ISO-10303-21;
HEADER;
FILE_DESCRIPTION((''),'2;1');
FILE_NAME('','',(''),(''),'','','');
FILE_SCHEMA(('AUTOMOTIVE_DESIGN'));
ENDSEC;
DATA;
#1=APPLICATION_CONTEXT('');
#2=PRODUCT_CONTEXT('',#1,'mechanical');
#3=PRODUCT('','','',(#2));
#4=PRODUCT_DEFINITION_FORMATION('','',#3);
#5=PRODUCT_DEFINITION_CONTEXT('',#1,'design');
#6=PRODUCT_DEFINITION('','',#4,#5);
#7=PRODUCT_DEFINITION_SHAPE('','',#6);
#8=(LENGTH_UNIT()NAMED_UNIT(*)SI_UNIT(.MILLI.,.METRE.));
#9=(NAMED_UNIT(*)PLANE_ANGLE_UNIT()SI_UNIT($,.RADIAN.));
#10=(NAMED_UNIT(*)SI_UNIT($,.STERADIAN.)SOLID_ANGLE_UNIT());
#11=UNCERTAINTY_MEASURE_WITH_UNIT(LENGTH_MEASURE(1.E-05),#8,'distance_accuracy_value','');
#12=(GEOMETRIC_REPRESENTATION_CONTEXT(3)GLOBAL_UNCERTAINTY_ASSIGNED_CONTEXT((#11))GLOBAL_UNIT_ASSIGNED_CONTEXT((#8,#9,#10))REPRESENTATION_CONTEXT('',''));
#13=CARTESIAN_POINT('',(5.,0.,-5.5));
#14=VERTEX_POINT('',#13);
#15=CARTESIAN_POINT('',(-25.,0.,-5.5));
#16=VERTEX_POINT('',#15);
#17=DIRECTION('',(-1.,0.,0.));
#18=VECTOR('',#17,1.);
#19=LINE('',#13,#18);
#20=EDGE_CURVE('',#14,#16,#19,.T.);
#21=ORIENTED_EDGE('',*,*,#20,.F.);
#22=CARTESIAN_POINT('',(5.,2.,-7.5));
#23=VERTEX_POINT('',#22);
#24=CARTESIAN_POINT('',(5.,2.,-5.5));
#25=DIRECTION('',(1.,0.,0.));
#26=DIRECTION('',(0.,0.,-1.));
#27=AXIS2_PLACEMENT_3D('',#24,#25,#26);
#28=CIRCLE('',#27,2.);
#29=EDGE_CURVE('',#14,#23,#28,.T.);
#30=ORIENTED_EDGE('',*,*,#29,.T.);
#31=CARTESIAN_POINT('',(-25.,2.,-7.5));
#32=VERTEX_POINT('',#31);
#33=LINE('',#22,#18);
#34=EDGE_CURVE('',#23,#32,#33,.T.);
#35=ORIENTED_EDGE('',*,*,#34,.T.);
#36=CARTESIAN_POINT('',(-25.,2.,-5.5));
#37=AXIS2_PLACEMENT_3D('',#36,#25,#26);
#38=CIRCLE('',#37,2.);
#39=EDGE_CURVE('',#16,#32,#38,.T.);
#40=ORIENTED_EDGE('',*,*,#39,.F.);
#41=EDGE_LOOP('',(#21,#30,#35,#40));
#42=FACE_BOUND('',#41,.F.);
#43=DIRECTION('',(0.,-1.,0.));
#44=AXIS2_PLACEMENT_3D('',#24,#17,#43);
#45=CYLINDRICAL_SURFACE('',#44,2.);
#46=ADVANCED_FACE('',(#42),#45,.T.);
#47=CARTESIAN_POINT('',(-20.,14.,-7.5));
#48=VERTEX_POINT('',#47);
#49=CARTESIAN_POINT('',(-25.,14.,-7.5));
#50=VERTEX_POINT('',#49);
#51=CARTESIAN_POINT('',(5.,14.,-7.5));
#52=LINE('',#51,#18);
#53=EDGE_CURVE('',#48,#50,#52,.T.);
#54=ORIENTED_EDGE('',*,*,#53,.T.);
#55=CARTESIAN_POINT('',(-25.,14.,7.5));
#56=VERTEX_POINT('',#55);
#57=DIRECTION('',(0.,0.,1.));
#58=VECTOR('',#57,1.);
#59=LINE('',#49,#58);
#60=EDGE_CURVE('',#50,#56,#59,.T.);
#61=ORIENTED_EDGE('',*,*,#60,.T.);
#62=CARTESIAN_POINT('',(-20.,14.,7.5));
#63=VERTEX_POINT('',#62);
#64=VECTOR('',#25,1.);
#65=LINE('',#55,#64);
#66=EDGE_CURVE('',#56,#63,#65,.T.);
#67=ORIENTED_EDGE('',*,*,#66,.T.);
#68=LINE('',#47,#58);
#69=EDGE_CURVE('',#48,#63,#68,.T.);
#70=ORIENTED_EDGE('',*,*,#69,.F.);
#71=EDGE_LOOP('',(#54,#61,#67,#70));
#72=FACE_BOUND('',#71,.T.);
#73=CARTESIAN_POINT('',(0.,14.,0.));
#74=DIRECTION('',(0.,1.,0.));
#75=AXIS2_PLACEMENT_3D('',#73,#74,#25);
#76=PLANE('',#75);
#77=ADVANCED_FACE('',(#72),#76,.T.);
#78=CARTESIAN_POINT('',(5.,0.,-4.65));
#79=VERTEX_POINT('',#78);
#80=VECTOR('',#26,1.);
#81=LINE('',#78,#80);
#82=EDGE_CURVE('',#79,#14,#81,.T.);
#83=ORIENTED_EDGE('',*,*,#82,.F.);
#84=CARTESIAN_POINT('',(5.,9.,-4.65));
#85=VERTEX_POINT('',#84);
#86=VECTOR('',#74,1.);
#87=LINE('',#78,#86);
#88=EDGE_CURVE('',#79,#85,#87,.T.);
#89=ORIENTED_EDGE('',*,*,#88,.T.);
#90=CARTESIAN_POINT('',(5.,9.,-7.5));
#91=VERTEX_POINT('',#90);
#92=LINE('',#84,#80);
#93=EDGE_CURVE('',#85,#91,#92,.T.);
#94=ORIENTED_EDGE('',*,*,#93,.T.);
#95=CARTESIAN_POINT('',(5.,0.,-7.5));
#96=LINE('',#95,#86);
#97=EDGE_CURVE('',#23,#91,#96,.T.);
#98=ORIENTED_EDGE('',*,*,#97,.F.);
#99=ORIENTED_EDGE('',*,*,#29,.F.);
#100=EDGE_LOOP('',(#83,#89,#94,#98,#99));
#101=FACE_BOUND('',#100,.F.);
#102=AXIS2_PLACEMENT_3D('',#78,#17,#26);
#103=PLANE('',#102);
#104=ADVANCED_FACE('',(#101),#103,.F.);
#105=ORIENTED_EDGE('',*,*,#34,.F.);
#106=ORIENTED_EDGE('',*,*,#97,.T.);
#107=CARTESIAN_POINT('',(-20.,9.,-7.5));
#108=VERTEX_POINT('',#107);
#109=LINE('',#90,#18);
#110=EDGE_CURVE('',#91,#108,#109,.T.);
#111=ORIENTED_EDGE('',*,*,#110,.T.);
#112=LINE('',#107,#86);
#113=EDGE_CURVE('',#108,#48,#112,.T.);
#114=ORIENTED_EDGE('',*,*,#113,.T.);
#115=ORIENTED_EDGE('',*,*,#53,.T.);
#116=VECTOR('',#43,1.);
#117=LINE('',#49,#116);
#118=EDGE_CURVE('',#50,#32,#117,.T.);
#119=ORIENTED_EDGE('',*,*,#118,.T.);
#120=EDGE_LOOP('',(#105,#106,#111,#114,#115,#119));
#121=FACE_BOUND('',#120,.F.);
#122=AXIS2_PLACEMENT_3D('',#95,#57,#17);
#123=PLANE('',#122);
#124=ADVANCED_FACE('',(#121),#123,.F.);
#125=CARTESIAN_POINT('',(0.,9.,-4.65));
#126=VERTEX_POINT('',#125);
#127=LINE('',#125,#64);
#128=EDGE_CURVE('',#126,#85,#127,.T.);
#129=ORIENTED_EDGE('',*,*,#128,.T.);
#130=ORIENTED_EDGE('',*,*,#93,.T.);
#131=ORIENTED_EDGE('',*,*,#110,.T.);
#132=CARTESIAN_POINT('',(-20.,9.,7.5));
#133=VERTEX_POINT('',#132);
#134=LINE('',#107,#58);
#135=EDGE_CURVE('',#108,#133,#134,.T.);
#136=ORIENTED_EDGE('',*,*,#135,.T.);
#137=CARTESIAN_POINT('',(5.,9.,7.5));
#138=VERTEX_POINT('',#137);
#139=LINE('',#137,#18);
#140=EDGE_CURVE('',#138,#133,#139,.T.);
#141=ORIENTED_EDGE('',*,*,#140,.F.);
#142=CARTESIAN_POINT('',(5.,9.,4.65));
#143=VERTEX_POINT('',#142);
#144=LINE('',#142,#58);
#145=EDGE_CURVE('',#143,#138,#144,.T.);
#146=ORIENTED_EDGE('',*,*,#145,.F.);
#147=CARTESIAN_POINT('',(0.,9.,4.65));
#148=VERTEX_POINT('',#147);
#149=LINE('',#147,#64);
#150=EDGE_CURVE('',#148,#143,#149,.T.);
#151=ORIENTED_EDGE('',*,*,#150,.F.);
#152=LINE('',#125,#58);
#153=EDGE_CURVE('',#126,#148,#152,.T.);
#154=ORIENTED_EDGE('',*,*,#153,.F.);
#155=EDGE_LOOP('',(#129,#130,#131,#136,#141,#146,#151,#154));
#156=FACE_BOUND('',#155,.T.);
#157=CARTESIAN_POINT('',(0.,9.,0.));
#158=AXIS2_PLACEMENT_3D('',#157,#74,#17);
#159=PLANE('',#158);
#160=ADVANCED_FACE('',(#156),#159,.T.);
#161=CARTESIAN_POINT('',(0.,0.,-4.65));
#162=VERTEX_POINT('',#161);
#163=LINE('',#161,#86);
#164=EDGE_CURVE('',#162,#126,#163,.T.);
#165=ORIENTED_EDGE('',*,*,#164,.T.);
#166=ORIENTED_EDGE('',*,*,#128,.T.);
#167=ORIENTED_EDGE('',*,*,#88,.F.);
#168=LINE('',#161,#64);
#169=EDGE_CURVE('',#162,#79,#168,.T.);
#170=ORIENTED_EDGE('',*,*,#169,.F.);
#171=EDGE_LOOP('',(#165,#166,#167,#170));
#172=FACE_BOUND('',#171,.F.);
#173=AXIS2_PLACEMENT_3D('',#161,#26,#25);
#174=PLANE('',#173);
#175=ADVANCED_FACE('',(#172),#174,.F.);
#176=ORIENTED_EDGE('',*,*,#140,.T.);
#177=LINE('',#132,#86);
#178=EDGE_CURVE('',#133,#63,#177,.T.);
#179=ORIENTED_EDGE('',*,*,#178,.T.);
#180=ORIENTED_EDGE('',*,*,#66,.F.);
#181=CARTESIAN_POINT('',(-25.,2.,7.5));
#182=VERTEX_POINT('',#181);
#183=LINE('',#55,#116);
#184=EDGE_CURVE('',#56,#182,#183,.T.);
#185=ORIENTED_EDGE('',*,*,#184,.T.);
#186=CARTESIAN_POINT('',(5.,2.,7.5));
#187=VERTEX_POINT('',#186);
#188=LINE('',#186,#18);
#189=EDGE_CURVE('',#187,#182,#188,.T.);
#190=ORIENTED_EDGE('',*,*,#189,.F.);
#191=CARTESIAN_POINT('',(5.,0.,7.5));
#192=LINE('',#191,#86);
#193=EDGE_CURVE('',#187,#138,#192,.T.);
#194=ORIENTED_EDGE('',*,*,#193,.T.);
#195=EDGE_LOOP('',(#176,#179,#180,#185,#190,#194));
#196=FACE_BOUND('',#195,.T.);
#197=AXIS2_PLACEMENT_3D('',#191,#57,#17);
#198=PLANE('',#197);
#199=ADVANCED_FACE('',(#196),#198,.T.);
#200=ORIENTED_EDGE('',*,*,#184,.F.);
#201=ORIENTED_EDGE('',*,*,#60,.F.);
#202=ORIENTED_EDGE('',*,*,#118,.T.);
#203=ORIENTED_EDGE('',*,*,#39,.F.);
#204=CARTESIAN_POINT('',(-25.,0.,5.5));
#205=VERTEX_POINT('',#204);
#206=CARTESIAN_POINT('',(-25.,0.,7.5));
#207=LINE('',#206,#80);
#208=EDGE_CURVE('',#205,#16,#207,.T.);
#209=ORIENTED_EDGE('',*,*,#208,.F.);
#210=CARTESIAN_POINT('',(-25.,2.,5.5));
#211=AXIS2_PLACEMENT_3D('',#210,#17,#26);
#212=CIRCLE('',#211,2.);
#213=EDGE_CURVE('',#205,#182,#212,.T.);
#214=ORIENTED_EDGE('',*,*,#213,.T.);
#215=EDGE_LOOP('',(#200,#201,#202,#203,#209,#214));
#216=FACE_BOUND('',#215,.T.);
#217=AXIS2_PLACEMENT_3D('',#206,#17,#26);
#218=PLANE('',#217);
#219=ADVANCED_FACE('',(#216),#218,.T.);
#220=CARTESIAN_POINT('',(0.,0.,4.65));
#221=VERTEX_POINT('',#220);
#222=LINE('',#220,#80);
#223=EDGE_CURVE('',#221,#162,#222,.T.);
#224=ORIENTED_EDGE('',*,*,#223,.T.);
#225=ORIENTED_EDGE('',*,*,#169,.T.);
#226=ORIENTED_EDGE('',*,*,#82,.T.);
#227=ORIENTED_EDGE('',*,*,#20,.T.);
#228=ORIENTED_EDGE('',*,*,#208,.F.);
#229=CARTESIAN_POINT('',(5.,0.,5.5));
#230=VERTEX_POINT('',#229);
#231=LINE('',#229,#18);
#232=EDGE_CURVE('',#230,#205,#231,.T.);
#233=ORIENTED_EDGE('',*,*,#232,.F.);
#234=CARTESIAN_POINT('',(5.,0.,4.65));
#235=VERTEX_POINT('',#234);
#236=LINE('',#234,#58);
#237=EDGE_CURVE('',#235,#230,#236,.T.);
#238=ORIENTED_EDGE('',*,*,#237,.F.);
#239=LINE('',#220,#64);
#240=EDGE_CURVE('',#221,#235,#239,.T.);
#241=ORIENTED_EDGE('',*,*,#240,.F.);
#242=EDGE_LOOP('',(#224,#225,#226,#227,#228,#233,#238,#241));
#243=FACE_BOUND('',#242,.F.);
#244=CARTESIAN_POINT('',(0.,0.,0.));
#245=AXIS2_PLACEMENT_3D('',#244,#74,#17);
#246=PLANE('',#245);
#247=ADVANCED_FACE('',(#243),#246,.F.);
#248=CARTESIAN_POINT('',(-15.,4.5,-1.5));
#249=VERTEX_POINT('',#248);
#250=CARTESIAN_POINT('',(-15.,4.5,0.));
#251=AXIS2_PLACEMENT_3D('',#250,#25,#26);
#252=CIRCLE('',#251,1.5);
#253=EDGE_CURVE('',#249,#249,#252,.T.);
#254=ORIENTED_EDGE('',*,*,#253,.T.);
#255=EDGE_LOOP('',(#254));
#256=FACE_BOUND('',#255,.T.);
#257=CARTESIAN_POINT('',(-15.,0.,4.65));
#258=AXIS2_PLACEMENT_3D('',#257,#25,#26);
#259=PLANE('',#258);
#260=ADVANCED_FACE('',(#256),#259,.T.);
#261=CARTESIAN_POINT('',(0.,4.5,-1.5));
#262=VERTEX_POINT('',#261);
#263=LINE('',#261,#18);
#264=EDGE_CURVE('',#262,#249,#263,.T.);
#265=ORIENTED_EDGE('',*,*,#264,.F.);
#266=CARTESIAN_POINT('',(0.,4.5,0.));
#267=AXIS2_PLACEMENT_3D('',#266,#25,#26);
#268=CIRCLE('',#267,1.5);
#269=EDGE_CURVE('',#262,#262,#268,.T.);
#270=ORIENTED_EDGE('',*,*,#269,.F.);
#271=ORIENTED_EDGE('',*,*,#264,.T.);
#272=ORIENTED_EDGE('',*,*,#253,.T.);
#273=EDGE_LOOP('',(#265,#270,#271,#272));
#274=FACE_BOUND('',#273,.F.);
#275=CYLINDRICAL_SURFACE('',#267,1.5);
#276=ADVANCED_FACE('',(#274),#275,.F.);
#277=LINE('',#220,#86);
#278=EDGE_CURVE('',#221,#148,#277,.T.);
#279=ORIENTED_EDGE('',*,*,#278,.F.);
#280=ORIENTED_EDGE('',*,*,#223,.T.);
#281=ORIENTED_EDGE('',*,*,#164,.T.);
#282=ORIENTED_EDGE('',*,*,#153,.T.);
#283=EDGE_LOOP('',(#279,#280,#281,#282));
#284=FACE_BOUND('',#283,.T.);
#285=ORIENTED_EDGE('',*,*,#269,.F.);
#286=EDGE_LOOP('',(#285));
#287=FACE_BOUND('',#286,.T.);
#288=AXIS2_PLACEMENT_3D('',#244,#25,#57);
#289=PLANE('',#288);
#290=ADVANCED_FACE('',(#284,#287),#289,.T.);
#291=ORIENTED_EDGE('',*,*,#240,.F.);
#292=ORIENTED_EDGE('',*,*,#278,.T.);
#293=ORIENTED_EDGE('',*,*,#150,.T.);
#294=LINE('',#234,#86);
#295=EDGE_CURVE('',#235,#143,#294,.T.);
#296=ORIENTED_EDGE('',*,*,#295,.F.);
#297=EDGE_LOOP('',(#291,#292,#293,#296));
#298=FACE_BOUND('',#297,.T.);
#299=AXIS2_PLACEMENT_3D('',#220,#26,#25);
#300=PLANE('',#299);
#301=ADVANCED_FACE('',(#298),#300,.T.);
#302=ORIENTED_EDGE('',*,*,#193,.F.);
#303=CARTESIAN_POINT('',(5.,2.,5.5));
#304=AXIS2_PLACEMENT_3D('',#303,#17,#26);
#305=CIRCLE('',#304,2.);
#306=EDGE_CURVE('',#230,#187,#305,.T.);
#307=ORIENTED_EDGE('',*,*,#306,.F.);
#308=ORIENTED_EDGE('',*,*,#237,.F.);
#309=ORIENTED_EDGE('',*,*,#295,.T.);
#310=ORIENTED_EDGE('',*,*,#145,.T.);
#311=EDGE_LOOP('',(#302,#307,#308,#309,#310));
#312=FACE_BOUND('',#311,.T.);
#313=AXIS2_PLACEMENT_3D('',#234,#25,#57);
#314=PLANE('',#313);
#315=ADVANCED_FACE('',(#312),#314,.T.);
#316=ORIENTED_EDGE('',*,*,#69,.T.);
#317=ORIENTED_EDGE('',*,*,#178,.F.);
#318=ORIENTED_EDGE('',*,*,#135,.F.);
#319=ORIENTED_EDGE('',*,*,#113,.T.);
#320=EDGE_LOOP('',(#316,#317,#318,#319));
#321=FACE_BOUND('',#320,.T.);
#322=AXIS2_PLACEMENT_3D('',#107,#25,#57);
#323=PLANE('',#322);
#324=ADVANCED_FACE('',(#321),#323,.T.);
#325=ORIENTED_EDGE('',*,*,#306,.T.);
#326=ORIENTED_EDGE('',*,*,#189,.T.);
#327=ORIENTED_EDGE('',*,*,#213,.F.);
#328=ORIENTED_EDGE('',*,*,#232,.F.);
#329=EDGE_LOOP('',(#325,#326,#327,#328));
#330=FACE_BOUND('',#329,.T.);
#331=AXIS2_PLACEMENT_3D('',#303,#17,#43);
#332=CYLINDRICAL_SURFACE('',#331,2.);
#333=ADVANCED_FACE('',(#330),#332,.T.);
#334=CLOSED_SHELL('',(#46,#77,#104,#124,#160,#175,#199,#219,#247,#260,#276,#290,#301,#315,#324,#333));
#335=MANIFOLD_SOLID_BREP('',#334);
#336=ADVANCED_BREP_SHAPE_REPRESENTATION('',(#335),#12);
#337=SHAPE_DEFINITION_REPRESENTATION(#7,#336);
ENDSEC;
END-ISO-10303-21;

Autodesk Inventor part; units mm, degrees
ref_plane "YZ Plane" through (0, 0, 0) normal (1, 0, 0) x (0, 1, 0)
ref_plane "XZ Plane" through (0, 0, 0) normal (0, 1, 0) x (-1, 0, 0)
ref_plane "XY Plane" through (0, 0, 0) normal (0, 0, 1) x (1, 0, 0)
sketch "Sketch1" plane through (0, 0, 0) normal (0, 1, 0) x (-1, 0, 0)
  line L0 (0, 0) -> (0, 4.65)
  line L1 (0, 4.65) -> (-5, 4.65)
  line L2 (-5, 4.65) -> (-5, 7.5)
  line L3 (-5, 7.5) -> (25, 7.5)
  line L4 (25, 7.5) -> (25, 0)
  line L5 (25, 0) -> (0, 0) construction
  line L6 (0, 0) -> (0, -4.65)
  line L7 (0, -4.65) -> (-5, -4.65)
  line L8 (-5, -4.65) -> (-5, -7.5)
  line L9 (-5, -7.5) -> (25, -7.5)
  line L10 (25, -7.5) -> (25, 0)
  dimension "d7" = 9.3
  dimension "d8" = 15
  dimension "d9" = 5
  dimension "d10" = 25
extrude "Extrusion1" add sketch "Sketch1" along normal blind 9
sketch "Sketch2" plane through (0, 9, 0) normal (0, 1, 0) x (1, 0, 0)
  line L0 (5, 7.5) -> (-25, 7.5) projected
  line L1 (-25, 7.5) -> (-25, -7.5) projected
  line L2 (-25, -7.5) -> (5, -7.5) projected
  line L3 (-20, 7.5) -> (-20, -7.5)
  point P0 (0, 0)
  dimension "d11" = 5
extrude "Extrusion2" add sketch "Sketch2" along normal blind 5
sketch "Sketch3" plane through (0, 0, 4.65) normal (1, 0, 0) x (0, 0, -1)
  line L0 (9.3, 0) -> (9.3, 9) projected
  line L1 (0, 9) -> (9.3, 9) projected
  line L2 (0, 0) -> (0, 9) projected
  line L3 (0, 4.5) -> (9.3, 4.5) construction
  line L4 (4.65, 9) -> (4.65, 0) construction
  circle A0 centre (4.65, 4.5) radius 1.5
  dimension "d4" = 3
extrude "Extrusion3" cut sketch "Sketch3" against normal blind 15
fillet "Fillet1" radius 2 2 edges at (-10, 0, -7.5) (-10, 0, 7.5)
properties part number "Carcasa (parte 2)"
